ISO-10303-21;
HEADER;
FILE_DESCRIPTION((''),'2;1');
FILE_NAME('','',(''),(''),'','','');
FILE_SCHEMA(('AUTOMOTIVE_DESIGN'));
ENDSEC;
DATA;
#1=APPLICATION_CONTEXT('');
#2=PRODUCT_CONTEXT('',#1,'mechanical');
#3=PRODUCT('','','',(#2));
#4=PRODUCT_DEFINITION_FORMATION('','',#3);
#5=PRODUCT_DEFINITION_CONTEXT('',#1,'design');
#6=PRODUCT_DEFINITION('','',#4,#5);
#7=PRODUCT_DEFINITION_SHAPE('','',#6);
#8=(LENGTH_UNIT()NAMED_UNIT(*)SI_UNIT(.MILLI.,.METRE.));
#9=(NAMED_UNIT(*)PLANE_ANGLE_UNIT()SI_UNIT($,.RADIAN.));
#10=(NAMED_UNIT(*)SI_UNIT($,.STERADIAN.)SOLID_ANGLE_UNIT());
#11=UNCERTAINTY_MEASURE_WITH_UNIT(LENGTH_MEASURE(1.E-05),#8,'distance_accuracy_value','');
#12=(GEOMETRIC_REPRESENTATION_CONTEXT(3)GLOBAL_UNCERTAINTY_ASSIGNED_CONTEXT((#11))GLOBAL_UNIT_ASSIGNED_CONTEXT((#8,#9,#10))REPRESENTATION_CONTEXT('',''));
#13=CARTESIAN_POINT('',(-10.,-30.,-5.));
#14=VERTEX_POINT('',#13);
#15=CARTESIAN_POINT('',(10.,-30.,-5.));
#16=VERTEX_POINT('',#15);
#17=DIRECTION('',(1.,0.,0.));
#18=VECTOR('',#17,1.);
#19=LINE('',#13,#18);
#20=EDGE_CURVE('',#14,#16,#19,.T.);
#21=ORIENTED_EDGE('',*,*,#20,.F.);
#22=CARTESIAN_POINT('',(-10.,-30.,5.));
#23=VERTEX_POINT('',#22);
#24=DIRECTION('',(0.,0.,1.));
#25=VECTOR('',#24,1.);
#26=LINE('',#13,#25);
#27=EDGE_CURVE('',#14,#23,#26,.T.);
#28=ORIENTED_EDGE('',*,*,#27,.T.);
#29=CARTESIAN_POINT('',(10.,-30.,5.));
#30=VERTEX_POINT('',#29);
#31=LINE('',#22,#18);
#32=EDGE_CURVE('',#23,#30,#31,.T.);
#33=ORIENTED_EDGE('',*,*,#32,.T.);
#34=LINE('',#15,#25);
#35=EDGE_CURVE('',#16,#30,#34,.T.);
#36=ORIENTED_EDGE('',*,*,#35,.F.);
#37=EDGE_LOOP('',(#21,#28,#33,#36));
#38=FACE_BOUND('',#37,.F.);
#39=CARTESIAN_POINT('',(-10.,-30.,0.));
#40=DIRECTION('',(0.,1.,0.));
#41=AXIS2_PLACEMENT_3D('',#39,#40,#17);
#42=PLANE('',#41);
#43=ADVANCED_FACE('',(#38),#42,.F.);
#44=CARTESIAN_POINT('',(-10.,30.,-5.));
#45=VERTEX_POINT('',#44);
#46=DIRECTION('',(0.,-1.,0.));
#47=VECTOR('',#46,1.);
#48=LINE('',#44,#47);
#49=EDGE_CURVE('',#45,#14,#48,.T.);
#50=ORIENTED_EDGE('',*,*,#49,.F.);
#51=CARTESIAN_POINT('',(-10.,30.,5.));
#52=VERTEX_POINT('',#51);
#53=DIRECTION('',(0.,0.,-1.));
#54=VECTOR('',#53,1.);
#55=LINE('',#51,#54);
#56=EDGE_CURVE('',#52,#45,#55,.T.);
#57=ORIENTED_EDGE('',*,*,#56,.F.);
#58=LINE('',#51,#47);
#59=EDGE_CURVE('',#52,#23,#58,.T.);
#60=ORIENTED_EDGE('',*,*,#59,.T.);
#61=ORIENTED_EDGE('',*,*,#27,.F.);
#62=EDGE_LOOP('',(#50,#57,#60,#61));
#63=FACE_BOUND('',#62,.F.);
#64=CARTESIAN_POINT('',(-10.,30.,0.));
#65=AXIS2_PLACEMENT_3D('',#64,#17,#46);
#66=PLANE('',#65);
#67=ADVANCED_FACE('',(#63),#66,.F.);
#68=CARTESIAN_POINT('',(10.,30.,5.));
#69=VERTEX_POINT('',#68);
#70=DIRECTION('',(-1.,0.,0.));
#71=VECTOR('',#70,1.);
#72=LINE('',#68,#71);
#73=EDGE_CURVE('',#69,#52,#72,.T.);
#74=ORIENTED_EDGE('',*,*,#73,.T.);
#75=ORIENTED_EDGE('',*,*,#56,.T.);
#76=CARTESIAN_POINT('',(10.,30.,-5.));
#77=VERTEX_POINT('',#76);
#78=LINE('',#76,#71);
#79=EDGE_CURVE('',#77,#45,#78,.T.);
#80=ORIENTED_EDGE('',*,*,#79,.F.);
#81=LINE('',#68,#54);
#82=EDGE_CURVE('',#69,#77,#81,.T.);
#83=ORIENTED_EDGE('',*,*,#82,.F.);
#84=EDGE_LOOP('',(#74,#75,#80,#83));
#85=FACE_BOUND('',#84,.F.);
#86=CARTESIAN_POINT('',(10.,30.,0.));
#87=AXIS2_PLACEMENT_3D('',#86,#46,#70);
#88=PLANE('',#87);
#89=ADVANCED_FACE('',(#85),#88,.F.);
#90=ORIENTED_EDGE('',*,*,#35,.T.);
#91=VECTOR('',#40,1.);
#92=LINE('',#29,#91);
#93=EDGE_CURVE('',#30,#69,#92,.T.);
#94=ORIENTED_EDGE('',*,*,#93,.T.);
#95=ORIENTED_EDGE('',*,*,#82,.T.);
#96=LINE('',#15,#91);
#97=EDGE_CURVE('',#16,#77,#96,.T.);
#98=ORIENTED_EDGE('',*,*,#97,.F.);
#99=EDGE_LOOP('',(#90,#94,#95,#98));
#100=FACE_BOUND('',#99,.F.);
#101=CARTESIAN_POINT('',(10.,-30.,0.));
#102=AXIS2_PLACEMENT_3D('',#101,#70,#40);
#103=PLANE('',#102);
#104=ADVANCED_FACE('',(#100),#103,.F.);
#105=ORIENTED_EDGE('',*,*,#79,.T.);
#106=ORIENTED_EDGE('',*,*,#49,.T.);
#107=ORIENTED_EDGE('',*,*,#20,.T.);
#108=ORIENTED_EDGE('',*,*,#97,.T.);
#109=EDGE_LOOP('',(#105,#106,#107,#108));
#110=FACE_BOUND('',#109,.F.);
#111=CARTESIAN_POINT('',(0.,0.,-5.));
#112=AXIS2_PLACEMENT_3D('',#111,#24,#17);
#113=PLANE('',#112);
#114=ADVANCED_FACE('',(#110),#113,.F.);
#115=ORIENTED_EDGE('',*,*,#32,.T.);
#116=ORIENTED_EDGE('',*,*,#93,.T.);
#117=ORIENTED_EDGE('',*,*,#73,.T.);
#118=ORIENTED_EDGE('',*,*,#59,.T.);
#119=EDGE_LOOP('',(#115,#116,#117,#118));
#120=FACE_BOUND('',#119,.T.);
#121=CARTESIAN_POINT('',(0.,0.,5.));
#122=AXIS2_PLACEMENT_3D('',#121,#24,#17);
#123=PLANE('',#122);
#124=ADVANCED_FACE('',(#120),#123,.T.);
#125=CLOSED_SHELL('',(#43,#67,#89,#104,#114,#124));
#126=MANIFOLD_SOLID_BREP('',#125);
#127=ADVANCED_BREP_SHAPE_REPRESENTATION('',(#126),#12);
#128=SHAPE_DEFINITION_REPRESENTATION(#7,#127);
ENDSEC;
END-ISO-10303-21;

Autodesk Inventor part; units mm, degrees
ref_plane "YZ Plane" through (0, 0, 0) normal (1, 0, 0) x (0, 1, 0)
ref_plane "XZ Plane" through (0, 0, 0) normal (0, 1, 0) x (-1, 0, 0)
ref_plane "XY Plane" through (0, 0, 0) normal (0, 0, 1) x (1, 0, 0)
sketch "Sketch1" plane through (0, 0, 0) normal (0, 0, 1) x (1, 0, 0)
  line L0 (-10, -30) -> (10, -30)
  line L1 (10, -30) -> (10, 30)
  line L2 (10, 30) -> (-10, 30)
  line L3 (-10, 30) -> (-10, -30)
  point P0 (0, 0)
  dimension "y1" = 30
  dimension "y2" = 30
  dimension "x1" = 10
  dimension "x2" = 10
extrude "Extrusion1" add sketch "Sketch1" along normal mid plane 10
equation "\"y1\" = 0.5 * y"
equation "\"y2\" = 0.5 * y"
equation "\"x1\" = 0.5 * x"
equation "\"x2\" = 0.5 * x"
equation "\"z2\" = z"
equation "\"z\" = 10"
equation "\"y\" = 60"
equation "\"x\" = 20"
properties part number "Box"
